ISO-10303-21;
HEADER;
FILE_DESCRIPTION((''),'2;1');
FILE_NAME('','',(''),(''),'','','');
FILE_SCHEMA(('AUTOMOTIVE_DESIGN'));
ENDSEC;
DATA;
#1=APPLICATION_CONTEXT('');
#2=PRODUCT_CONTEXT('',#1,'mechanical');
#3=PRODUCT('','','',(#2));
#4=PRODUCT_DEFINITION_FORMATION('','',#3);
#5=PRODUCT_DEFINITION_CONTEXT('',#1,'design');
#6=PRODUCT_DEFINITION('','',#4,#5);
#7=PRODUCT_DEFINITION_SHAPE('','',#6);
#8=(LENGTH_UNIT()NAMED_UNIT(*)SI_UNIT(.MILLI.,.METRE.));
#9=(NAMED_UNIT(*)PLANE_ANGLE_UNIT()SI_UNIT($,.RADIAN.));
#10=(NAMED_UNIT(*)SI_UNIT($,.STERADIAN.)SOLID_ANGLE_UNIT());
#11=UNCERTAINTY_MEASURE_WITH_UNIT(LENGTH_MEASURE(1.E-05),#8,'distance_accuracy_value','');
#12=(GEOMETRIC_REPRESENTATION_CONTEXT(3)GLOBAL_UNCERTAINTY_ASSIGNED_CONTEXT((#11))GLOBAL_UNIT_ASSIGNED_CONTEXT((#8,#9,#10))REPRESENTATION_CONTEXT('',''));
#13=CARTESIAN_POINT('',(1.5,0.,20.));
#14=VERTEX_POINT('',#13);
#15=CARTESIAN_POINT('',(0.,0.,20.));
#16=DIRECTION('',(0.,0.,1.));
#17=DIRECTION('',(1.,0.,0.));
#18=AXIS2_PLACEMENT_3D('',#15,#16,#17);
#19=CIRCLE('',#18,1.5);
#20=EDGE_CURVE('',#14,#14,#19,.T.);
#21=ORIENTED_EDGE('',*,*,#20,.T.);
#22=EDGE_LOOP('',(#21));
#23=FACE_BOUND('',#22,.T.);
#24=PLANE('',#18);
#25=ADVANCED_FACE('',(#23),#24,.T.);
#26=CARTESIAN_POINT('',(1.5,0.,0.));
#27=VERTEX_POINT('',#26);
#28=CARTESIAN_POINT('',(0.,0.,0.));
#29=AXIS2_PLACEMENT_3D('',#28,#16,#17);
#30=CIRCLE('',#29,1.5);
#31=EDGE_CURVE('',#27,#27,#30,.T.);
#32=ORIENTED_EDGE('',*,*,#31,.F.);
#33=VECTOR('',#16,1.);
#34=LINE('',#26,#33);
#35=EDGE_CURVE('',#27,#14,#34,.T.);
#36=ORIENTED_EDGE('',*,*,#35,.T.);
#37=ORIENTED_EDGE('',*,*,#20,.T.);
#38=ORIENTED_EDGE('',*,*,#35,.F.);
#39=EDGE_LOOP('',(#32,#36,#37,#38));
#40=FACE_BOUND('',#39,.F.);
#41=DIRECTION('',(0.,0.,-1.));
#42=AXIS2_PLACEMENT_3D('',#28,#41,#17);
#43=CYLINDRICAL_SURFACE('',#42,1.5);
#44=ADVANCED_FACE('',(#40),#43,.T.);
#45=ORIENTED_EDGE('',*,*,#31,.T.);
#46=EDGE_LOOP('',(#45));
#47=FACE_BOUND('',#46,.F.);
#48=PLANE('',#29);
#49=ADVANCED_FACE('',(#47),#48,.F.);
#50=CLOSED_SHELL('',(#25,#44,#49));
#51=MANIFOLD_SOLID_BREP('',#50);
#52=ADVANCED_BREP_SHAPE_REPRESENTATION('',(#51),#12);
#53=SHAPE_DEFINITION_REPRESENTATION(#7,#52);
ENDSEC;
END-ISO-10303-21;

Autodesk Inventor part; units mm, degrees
ref_plane "YZ Plane" through (0, 0, 0) normal (1, 0, 0) x (0, 1, 0)
ref_plane "XZ Plane" through (0, 0, 0) normal (0, 1, 0) x (-1, 0, 0)
ref_plane "XY Plane" through (0, 0, 0) normal (0, 0, 1) x (1, 0, 0)
sketch "スケッチ1" plane through (0, 0, 0) normal (0, 0, 1) x (1, 0, 0)
  circle A0 centre (0, 0) radius 1.5
  dimension "d0" = 3
extrude "押し出し1" add sketch "スケッチ1" along normal blind 20
properties part number "ステンレス平行ピンΦ3h7_20"
